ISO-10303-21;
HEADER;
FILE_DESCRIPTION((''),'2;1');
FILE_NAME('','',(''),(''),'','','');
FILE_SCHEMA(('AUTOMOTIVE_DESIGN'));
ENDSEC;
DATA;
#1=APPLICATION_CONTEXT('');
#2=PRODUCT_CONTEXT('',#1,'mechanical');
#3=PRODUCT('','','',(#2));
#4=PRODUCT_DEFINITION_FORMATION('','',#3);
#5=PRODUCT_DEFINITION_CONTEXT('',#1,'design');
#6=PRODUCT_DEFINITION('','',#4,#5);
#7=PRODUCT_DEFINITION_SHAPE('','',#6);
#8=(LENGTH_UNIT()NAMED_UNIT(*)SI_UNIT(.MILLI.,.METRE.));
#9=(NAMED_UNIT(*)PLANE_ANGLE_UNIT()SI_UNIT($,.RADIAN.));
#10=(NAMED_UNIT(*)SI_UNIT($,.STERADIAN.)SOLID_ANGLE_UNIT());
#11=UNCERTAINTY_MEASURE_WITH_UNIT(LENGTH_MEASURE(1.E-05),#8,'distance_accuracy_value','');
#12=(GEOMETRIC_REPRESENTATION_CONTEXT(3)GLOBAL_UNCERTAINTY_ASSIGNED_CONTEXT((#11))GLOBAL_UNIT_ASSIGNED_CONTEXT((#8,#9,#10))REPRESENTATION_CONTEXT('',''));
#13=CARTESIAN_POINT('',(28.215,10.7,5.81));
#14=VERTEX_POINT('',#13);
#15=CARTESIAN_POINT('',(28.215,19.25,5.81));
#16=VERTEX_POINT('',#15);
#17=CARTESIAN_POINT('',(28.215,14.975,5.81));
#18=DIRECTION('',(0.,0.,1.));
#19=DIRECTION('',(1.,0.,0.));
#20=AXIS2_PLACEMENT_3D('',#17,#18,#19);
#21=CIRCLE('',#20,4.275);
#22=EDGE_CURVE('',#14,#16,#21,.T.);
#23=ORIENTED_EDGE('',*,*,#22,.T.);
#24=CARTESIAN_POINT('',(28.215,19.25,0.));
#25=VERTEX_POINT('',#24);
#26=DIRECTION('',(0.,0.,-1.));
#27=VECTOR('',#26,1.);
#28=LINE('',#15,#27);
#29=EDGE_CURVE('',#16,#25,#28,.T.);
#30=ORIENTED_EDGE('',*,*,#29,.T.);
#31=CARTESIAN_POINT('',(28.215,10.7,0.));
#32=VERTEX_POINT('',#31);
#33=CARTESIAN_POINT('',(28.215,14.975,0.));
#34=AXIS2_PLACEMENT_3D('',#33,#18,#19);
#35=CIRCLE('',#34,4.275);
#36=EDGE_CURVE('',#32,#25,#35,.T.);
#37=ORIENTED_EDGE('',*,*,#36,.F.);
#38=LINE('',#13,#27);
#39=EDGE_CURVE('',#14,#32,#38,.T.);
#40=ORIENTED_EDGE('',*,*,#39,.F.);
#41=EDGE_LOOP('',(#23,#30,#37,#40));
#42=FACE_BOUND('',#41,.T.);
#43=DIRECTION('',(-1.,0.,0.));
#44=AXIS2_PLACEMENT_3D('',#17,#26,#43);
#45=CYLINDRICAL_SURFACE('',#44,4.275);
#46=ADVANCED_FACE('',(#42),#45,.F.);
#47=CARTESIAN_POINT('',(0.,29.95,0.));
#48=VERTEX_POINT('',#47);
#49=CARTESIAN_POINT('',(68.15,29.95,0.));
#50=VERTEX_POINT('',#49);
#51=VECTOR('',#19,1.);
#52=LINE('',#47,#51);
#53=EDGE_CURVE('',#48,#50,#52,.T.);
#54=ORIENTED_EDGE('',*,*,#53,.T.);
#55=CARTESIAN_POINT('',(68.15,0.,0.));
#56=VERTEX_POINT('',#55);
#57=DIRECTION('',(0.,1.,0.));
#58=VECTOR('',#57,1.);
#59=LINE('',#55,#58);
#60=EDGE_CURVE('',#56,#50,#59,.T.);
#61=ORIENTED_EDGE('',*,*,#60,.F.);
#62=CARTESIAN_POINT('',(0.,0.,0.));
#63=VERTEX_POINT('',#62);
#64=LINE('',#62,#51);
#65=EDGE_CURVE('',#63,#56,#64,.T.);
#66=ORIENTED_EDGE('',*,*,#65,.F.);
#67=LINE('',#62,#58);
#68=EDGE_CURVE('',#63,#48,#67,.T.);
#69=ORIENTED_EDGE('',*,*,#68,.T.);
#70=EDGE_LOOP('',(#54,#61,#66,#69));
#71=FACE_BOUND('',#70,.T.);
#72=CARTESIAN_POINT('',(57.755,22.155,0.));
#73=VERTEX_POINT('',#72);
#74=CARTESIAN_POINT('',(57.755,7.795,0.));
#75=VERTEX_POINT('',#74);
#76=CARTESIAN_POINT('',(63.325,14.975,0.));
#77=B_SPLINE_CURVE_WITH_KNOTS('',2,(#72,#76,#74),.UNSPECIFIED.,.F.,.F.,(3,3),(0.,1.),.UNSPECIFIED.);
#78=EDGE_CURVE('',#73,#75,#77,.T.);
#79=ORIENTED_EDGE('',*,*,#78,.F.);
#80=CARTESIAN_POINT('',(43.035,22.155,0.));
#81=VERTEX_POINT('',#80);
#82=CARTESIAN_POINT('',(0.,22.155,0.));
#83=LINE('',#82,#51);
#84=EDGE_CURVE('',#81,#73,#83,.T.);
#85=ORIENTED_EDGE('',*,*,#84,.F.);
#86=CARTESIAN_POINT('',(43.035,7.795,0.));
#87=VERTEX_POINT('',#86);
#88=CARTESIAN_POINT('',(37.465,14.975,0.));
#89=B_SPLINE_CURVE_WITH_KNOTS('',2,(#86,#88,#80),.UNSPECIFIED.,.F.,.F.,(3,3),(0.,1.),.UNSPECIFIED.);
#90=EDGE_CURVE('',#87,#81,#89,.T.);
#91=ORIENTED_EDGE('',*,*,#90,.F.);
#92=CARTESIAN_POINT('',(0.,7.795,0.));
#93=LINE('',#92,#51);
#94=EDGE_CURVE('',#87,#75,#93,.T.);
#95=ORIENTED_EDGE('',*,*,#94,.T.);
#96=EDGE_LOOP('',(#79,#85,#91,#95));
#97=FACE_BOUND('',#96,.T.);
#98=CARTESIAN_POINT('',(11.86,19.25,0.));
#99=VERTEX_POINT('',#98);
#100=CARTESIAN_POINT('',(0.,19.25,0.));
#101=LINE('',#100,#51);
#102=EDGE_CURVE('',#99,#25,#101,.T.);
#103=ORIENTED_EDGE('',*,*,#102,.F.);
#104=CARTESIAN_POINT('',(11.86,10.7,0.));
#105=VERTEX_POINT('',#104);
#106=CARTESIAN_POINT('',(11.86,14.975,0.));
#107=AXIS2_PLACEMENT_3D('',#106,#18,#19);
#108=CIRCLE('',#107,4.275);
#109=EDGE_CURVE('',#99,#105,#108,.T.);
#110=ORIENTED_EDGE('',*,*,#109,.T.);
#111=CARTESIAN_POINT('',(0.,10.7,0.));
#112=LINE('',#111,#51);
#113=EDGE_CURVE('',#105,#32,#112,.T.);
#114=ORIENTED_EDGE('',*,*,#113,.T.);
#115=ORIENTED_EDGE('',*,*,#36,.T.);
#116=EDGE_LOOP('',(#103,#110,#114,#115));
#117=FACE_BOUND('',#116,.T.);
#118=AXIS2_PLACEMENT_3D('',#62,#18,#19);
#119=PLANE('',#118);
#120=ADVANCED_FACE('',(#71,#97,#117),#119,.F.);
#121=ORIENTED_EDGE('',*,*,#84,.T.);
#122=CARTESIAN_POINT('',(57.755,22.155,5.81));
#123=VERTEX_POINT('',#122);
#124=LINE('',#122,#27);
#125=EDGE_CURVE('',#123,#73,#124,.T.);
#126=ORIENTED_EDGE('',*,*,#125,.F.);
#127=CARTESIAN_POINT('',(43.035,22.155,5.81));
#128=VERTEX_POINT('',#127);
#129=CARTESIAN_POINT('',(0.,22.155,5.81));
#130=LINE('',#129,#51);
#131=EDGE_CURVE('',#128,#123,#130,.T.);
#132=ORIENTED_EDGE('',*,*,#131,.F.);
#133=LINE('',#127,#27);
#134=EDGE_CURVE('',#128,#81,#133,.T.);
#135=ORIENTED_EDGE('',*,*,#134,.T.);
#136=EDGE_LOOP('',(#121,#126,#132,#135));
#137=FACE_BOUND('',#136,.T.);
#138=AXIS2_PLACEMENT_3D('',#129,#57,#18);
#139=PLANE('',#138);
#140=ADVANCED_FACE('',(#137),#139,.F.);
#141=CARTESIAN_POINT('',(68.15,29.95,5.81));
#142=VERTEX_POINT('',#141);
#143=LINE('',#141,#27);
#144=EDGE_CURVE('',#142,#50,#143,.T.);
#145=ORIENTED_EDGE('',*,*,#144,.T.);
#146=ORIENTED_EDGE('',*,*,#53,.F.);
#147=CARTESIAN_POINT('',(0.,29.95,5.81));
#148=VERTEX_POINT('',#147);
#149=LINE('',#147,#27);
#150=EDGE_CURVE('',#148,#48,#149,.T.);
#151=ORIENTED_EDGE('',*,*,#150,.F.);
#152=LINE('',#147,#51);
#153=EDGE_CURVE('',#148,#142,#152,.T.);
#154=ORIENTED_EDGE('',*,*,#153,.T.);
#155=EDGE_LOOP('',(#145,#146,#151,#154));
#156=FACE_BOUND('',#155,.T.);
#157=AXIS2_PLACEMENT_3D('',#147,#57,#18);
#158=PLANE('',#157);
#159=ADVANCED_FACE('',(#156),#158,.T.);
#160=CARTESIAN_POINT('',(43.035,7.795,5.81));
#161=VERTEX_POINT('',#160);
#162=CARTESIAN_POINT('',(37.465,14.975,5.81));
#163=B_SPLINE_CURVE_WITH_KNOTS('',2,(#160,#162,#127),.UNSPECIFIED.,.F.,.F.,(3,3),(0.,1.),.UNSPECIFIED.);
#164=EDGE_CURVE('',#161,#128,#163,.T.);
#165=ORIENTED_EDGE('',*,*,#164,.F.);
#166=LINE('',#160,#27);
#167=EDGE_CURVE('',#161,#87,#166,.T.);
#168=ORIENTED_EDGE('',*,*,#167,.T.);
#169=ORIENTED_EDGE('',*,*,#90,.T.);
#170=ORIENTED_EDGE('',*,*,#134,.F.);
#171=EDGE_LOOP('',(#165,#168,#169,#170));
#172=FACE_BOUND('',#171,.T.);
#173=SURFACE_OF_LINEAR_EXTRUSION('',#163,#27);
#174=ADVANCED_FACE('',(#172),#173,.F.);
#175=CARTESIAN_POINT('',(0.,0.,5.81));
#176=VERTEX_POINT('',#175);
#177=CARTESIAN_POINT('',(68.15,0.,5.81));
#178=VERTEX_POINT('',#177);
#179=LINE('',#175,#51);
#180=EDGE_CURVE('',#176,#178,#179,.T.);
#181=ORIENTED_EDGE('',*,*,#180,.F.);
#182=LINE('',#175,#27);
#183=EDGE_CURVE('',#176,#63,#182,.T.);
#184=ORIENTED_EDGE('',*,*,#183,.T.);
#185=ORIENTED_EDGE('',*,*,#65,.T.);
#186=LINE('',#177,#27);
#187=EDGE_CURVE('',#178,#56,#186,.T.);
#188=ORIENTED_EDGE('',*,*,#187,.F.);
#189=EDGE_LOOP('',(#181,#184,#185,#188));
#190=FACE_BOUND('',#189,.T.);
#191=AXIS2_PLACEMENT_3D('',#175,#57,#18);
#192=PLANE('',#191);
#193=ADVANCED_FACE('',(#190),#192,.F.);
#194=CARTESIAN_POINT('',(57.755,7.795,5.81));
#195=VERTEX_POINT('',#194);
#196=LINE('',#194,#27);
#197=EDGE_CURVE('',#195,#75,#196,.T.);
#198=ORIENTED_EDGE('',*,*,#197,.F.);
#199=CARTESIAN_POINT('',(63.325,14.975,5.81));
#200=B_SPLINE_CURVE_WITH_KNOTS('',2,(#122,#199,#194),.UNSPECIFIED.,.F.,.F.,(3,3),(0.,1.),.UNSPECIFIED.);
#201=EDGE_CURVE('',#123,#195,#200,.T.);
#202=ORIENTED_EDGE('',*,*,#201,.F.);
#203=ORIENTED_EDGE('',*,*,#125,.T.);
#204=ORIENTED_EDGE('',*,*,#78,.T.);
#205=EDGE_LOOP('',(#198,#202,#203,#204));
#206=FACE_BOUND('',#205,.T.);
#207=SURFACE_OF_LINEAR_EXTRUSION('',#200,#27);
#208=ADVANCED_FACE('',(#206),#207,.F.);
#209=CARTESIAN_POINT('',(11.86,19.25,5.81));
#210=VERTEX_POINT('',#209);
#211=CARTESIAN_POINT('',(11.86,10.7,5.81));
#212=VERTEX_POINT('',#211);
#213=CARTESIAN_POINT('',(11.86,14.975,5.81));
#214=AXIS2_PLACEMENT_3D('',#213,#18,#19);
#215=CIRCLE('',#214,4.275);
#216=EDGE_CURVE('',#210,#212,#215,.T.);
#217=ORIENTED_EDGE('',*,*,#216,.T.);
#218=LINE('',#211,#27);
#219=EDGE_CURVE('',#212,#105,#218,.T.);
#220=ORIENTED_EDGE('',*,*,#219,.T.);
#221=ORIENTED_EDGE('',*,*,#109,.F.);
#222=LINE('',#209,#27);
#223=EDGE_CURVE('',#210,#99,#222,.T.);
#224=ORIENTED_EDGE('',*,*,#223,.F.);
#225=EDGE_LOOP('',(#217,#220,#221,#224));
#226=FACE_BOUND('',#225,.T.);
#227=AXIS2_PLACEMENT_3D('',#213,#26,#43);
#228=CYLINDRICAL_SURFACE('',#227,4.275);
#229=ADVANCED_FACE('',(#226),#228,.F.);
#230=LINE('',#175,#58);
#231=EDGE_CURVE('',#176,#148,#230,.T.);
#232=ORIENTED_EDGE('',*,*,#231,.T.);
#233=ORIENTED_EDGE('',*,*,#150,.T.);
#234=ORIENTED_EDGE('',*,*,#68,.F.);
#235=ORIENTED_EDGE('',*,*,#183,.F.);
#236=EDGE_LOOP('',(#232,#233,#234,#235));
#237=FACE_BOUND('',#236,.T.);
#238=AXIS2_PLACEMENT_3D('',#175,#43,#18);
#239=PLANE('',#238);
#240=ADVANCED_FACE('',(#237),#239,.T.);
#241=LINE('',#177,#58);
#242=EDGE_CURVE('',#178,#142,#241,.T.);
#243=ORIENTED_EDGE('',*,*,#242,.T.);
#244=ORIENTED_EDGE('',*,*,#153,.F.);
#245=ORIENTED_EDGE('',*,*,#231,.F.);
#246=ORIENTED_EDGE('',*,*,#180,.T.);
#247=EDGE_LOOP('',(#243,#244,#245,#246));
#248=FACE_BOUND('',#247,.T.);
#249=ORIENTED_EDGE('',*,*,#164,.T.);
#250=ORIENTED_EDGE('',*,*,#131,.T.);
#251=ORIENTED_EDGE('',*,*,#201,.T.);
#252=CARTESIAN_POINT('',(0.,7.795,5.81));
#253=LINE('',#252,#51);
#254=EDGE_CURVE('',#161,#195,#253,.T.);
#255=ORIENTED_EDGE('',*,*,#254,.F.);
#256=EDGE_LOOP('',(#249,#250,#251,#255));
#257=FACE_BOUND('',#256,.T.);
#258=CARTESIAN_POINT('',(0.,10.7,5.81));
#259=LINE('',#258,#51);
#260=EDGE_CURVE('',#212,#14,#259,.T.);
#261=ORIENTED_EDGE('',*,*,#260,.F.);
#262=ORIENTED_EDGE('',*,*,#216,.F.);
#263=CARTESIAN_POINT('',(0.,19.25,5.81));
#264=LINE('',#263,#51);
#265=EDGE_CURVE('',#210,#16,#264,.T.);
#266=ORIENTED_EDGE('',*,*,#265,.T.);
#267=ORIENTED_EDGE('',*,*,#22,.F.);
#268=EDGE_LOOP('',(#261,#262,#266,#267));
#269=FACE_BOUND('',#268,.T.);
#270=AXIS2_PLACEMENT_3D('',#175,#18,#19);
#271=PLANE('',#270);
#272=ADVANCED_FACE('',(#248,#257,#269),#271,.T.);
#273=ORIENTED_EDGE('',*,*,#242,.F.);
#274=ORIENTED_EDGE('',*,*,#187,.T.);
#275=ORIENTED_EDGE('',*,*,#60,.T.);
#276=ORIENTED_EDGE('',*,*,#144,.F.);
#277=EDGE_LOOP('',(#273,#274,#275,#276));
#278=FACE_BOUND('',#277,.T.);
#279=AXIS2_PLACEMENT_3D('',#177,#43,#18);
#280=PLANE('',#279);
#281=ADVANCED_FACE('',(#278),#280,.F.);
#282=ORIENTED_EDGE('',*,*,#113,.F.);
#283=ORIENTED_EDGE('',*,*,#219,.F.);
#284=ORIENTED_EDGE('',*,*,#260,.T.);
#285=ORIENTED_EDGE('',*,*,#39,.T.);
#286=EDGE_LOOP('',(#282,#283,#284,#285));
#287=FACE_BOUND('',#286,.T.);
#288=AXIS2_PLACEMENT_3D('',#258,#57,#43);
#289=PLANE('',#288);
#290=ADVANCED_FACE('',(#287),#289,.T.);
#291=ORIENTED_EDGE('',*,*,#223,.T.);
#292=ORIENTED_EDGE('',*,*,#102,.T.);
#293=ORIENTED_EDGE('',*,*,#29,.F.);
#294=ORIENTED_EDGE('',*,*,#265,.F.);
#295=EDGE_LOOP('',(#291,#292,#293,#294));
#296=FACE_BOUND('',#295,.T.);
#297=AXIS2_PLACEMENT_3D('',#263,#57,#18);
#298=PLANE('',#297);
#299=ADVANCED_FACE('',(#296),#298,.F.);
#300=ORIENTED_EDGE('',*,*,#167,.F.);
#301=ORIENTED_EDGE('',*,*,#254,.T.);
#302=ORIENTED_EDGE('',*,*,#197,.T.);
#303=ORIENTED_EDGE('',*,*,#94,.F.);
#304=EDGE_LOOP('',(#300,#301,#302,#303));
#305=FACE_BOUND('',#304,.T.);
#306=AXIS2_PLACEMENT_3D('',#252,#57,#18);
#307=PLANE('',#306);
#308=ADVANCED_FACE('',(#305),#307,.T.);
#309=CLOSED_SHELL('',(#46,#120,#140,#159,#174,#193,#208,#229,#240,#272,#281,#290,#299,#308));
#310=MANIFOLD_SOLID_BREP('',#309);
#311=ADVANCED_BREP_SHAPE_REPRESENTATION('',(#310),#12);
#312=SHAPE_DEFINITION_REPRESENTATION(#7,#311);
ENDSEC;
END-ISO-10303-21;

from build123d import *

# Parameters (mm, degrees)
BOSS_EXTRUDE1_DEPTH = 5.81


with BuildPart() as part:
    # Sketch2 → Boss-Extrude1 (new body)
    with BuildSketch(Plane.XY):
        Polygon((0, 29.95), (0, 14.975), (0, 0), (68.15, 0), (68.15, 14.975), (68.15, 29.95), align=None)
        with BuildLine():
            ThreePointArc((11.86, 10.7), (8.83711851, 11.95211851), (7.585, 14.975))
            ThreePointArc((7.585, 14.975), (8.83711851, 17.99788149), (11.86, 19.25))
            Line((11.86, 19.25), (20.035, 19.25))
            Line((20.035, 19.25), (28.215, 19.25))
            ThreePointArc((28.215, 19.25), (31.23788149, 17.99788149), (32.49, 14.975))
            ThreePointArc((32.49, 14.975), (31.23788149, 11.95211851), (28.215, 10.7))
            Line((28.215, 10.7), (20.035, 10.7))
            Line((20.035, 10.7), (11.86, 10.7))
        make_face(mode=Mode.SUBTRACT)
        with BuildLine():
            add(Edge.make_bspline(
                [(57.755, 22.155), (60.54, 18.565), (60.54, 14.975)],
                knots=[0, 0, 0, 0.5, 0.5, 0.5], degree=2))
            add(Edge.make_bspline(
                [(60.54, 14.975), (60.54, 11.385), (57.755, 7.795)],
                knots=[0.5, 0.5, 0.5, 1, 1, 1], degree=2))
            Line((57.755, 7.795), (50.395, 7.795))
            Line((50.395, 7.795), (43.035, 7.795))
            add(Edge.make_bspline(
                [(43.035, 7.795), (40.25, 11.385), (40.25, 14.975)],
                knots=[0, 0, 0, 0.5, 0.5, 0.5], degree=2))
            add(Edge.make_bspline(
                [(40.25, 14.975), (40.25, 18.565), (43.035, 22.155)],
                knots=[0.5, 0.5, 0.5, 1, 1, 1], degree=2))
            Line((43.035, 22.155), (50.395, 22.155))
            Line((50.395, 22.155), (57.755, 22.155))
        make_face(mode=Mode.SUBTRACT)
    extrude(amount=BOSS_EXTRUDE1_DEPTH)


solid = part.part
